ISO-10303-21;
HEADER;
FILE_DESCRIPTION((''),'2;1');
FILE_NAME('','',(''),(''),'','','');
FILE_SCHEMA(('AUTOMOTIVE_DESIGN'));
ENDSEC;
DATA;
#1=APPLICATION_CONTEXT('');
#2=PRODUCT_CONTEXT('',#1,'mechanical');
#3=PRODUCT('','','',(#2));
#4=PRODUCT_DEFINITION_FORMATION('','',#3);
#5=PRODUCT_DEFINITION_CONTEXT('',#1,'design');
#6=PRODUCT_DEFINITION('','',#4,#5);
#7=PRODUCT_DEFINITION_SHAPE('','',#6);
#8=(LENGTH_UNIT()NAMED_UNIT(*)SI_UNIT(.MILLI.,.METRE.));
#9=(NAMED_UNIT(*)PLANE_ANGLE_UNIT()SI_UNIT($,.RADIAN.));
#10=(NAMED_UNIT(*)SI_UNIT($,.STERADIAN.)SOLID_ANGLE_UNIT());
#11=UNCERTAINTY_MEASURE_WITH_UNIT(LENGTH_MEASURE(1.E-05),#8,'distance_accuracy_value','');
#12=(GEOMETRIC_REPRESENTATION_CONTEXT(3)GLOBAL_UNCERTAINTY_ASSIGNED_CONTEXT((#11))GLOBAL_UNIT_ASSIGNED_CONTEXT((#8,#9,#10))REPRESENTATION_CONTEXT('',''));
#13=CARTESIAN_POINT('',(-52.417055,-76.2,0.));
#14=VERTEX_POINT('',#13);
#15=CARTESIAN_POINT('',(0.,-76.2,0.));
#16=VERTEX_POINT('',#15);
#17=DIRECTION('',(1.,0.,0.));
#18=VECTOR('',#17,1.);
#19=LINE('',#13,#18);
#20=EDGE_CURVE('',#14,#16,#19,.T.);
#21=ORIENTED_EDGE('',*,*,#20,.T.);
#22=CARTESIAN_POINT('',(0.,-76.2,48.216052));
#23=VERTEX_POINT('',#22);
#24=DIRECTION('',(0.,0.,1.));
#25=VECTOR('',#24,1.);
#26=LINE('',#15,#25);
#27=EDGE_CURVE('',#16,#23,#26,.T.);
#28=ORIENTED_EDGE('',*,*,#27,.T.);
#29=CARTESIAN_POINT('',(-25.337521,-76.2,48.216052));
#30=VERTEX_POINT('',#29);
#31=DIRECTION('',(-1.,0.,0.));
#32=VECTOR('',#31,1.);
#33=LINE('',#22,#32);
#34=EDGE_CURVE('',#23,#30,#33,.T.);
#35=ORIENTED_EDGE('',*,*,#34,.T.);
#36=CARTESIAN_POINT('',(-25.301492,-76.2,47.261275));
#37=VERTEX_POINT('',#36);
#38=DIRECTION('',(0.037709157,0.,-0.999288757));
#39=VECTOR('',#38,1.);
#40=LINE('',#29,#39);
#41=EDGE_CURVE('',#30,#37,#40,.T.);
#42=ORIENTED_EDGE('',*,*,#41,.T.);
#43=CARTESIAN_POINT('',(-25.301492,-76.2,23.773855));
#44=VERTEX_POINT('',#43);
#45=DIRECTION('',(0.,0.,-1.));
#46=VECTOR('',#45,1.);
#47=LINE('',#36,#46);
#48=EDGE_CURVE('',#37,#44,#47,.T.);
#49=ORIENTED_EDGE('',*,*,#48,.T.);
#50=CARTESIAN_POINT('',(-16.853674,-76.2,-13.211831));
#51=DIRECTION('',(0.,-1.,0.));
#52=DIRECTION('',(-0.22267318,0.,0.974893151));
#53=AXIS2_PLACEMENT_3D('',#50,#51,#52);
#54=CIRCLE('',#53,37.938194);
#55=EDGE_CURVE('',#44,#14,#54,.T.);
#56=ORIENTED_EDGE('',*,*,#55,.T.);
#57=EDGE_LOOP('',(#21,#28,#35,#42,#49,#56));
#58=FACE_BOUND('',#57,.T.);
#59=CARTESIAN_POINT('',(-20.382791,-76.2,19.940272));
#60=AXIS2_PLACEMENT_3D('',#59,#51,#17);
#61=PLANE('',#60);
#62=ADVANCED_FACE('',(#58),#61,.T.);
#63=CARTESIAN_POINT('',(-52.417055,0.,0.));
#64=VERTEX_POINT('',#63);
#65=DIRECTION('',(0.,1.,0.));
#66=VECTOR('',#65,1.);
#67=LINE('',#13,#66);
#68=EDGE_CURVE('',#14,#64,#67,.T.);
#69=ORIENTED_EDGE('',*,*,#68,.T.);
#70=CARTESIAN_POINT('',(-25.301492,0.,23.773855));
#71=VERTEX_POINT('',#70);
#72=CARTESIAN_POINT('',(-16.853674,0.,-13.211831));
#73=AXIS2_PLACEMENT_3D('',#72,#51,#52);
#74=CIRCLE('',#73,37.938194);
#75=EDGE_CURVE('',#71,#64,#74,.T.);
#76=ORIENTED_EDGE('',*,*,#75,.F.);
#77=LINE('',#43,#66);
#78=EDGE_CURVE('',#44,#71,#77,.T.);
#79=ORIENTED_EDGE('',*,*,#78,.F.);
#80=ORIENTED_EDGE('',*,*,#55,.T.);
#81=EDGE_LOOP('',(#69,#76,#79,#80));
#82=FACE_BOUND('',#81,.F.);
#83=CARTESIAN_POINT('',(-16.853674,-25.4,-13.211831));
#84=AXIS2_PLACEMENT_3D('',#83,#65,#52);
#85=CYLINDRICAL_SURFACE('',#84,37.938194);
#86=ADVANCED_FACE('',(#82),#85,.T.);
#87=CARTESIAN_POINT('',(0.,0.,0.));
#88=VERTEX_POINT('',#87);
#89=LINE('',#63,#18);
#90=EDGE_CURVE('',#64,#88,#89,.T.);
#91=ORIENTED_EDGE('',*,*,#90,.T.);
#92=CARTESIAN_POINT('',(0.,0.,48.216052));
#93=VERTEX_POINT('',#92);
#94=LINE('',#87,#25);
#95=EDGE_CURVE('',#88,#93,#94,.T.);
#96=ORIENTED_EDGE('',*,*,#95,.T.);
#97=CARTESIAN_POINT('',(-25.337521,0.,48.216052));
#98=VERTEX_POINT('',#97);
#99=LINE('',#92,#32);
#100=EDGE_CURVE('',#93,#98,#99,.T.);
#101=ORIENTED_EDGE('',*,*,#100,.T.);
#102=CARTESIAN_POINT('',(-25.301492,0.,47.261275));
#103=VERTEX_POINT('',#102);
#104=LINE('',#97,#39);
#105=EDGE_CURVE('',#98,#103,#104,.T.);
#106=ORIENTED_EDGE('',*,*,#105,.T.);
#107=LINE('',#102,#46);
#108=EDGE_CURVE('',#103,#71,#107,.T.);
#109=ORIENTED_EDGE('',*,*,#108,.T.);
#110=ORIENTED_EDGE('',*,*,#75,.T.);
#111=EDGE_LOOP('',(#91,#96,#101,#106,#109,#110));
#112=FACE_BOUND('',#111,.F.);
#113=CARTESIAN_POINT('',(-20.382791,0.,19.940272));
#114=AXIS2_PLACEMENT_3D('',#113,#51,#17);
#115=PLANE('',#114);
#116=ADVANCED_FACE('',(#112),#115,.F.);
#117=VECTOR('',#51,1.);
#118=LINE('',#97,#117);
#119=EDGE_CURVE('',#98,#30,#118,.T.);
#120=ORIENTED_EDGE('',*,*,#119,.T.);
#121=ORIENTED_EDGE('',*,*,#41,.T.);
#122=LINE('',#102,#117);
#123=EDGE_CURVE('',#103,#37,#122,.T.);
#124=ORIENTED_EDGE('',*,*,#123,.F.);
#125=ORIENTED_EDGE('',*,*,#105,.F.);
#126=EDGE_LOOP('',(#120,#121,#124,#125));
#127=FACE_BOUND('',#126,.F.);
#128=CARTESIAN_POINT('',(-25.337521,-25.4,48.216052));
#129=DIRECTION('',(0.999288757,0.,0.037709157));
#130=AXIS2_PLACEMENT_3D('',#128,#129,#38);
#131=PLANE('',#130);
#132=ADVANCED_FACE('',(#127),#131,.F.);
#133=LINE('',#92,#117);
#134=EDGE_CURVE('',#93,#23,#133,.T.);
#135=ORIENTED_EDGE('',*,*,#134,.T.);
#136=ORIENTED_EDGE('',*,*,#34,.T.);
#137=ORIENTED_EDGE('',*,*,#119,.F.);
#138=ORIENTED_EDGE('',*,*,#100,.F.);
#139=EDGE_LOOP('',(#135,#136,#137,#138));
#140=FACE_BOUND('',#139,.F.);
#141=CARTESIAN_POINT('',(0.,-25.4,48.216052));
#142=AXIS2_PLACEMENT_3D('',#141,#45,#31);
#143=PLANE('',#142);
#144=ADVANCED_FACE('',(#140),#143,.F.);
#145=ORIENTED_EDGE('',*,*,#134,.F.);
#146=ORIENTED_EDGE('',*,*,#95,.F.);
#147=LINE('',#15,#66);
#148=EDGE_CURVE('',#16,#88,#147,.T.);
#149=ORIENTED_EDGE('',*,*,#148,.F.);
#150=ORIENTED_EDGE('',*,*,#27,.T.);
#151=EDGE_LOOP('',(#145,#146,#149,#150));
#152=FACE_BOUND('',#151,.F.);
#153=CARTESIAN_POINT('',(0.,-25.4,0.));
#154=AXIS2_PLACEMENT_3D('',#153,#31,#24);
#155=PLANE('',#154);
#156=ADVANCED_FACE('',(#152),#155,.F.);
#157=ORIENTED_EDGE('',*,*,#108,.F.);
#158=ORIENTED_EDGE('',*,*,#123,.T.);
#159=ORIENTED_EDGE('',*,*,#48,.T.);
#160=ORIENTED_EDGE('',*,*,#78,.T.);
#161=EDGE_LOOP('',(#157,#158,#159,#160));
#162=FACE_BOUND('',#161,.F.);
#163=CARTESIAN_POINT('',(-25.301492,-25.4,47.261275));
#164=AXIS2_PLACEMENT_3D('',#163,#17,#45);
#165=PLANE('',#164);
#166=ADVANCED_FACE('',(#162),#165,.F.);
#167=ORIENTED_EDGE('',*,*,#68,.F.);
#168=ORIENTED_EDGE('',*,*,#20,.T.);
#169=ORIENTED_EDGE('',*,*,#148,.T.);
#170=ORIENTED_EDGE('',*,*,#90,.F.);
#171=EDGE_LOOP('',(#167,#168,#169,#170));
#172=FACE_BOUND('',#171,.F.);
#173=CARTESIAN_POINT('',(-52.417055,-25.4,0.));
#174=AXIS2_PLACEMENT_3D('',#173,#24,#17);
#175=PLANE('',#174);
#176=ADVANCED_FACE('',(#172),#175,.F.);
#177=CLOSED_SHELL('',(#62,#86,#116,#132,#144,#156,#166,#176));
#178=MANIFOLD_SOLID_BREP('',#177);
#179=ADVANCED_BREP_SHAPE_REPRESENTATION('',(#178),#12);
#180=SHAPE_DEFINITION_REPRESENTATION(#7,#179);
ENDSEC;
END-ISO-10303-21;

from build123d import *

# Parameters (mm, degrees)
F1_DEPTH = 25.4
F2_DEPTH = 50.8


with BuildPart() as f1:
    # F0 (on Front) → F1 (new body)
    with BuildSketch(Plane.XZ):
        with BuildLine():
            Line((0, 0), (0, 48.2160523534))
            Line((0, 48.2160523534), (-25.3014918417, 47.261275351))
            Line((-25.3014918417, 47.261275351), (-25.3014918417, 23.7738545984))
            ThreePointArc((-25.3014918417, 23.7738545984), (-41.8645804006, 15.3146673523), (-52.4170547724, 0))
            Line((-52.4170547724, 0), (0, 0))
        make_face()
        Polygon((-25.3014918417, 47.261275351), (0, 48.2160523534), (-25.3375213031, 48.2160523534), align=None)
    extrude(amount=F1_DEPTH)

    # F2 (add): a face of the model
    f2_faces = [f1.faces().sort_by_distance(p)[0] for p in [
        (-18.7199477301, -25.4, 20.2252721756),
    ]]
    extrude(f2_faces, amount=F2_DEPTH)


solid = f1.part
